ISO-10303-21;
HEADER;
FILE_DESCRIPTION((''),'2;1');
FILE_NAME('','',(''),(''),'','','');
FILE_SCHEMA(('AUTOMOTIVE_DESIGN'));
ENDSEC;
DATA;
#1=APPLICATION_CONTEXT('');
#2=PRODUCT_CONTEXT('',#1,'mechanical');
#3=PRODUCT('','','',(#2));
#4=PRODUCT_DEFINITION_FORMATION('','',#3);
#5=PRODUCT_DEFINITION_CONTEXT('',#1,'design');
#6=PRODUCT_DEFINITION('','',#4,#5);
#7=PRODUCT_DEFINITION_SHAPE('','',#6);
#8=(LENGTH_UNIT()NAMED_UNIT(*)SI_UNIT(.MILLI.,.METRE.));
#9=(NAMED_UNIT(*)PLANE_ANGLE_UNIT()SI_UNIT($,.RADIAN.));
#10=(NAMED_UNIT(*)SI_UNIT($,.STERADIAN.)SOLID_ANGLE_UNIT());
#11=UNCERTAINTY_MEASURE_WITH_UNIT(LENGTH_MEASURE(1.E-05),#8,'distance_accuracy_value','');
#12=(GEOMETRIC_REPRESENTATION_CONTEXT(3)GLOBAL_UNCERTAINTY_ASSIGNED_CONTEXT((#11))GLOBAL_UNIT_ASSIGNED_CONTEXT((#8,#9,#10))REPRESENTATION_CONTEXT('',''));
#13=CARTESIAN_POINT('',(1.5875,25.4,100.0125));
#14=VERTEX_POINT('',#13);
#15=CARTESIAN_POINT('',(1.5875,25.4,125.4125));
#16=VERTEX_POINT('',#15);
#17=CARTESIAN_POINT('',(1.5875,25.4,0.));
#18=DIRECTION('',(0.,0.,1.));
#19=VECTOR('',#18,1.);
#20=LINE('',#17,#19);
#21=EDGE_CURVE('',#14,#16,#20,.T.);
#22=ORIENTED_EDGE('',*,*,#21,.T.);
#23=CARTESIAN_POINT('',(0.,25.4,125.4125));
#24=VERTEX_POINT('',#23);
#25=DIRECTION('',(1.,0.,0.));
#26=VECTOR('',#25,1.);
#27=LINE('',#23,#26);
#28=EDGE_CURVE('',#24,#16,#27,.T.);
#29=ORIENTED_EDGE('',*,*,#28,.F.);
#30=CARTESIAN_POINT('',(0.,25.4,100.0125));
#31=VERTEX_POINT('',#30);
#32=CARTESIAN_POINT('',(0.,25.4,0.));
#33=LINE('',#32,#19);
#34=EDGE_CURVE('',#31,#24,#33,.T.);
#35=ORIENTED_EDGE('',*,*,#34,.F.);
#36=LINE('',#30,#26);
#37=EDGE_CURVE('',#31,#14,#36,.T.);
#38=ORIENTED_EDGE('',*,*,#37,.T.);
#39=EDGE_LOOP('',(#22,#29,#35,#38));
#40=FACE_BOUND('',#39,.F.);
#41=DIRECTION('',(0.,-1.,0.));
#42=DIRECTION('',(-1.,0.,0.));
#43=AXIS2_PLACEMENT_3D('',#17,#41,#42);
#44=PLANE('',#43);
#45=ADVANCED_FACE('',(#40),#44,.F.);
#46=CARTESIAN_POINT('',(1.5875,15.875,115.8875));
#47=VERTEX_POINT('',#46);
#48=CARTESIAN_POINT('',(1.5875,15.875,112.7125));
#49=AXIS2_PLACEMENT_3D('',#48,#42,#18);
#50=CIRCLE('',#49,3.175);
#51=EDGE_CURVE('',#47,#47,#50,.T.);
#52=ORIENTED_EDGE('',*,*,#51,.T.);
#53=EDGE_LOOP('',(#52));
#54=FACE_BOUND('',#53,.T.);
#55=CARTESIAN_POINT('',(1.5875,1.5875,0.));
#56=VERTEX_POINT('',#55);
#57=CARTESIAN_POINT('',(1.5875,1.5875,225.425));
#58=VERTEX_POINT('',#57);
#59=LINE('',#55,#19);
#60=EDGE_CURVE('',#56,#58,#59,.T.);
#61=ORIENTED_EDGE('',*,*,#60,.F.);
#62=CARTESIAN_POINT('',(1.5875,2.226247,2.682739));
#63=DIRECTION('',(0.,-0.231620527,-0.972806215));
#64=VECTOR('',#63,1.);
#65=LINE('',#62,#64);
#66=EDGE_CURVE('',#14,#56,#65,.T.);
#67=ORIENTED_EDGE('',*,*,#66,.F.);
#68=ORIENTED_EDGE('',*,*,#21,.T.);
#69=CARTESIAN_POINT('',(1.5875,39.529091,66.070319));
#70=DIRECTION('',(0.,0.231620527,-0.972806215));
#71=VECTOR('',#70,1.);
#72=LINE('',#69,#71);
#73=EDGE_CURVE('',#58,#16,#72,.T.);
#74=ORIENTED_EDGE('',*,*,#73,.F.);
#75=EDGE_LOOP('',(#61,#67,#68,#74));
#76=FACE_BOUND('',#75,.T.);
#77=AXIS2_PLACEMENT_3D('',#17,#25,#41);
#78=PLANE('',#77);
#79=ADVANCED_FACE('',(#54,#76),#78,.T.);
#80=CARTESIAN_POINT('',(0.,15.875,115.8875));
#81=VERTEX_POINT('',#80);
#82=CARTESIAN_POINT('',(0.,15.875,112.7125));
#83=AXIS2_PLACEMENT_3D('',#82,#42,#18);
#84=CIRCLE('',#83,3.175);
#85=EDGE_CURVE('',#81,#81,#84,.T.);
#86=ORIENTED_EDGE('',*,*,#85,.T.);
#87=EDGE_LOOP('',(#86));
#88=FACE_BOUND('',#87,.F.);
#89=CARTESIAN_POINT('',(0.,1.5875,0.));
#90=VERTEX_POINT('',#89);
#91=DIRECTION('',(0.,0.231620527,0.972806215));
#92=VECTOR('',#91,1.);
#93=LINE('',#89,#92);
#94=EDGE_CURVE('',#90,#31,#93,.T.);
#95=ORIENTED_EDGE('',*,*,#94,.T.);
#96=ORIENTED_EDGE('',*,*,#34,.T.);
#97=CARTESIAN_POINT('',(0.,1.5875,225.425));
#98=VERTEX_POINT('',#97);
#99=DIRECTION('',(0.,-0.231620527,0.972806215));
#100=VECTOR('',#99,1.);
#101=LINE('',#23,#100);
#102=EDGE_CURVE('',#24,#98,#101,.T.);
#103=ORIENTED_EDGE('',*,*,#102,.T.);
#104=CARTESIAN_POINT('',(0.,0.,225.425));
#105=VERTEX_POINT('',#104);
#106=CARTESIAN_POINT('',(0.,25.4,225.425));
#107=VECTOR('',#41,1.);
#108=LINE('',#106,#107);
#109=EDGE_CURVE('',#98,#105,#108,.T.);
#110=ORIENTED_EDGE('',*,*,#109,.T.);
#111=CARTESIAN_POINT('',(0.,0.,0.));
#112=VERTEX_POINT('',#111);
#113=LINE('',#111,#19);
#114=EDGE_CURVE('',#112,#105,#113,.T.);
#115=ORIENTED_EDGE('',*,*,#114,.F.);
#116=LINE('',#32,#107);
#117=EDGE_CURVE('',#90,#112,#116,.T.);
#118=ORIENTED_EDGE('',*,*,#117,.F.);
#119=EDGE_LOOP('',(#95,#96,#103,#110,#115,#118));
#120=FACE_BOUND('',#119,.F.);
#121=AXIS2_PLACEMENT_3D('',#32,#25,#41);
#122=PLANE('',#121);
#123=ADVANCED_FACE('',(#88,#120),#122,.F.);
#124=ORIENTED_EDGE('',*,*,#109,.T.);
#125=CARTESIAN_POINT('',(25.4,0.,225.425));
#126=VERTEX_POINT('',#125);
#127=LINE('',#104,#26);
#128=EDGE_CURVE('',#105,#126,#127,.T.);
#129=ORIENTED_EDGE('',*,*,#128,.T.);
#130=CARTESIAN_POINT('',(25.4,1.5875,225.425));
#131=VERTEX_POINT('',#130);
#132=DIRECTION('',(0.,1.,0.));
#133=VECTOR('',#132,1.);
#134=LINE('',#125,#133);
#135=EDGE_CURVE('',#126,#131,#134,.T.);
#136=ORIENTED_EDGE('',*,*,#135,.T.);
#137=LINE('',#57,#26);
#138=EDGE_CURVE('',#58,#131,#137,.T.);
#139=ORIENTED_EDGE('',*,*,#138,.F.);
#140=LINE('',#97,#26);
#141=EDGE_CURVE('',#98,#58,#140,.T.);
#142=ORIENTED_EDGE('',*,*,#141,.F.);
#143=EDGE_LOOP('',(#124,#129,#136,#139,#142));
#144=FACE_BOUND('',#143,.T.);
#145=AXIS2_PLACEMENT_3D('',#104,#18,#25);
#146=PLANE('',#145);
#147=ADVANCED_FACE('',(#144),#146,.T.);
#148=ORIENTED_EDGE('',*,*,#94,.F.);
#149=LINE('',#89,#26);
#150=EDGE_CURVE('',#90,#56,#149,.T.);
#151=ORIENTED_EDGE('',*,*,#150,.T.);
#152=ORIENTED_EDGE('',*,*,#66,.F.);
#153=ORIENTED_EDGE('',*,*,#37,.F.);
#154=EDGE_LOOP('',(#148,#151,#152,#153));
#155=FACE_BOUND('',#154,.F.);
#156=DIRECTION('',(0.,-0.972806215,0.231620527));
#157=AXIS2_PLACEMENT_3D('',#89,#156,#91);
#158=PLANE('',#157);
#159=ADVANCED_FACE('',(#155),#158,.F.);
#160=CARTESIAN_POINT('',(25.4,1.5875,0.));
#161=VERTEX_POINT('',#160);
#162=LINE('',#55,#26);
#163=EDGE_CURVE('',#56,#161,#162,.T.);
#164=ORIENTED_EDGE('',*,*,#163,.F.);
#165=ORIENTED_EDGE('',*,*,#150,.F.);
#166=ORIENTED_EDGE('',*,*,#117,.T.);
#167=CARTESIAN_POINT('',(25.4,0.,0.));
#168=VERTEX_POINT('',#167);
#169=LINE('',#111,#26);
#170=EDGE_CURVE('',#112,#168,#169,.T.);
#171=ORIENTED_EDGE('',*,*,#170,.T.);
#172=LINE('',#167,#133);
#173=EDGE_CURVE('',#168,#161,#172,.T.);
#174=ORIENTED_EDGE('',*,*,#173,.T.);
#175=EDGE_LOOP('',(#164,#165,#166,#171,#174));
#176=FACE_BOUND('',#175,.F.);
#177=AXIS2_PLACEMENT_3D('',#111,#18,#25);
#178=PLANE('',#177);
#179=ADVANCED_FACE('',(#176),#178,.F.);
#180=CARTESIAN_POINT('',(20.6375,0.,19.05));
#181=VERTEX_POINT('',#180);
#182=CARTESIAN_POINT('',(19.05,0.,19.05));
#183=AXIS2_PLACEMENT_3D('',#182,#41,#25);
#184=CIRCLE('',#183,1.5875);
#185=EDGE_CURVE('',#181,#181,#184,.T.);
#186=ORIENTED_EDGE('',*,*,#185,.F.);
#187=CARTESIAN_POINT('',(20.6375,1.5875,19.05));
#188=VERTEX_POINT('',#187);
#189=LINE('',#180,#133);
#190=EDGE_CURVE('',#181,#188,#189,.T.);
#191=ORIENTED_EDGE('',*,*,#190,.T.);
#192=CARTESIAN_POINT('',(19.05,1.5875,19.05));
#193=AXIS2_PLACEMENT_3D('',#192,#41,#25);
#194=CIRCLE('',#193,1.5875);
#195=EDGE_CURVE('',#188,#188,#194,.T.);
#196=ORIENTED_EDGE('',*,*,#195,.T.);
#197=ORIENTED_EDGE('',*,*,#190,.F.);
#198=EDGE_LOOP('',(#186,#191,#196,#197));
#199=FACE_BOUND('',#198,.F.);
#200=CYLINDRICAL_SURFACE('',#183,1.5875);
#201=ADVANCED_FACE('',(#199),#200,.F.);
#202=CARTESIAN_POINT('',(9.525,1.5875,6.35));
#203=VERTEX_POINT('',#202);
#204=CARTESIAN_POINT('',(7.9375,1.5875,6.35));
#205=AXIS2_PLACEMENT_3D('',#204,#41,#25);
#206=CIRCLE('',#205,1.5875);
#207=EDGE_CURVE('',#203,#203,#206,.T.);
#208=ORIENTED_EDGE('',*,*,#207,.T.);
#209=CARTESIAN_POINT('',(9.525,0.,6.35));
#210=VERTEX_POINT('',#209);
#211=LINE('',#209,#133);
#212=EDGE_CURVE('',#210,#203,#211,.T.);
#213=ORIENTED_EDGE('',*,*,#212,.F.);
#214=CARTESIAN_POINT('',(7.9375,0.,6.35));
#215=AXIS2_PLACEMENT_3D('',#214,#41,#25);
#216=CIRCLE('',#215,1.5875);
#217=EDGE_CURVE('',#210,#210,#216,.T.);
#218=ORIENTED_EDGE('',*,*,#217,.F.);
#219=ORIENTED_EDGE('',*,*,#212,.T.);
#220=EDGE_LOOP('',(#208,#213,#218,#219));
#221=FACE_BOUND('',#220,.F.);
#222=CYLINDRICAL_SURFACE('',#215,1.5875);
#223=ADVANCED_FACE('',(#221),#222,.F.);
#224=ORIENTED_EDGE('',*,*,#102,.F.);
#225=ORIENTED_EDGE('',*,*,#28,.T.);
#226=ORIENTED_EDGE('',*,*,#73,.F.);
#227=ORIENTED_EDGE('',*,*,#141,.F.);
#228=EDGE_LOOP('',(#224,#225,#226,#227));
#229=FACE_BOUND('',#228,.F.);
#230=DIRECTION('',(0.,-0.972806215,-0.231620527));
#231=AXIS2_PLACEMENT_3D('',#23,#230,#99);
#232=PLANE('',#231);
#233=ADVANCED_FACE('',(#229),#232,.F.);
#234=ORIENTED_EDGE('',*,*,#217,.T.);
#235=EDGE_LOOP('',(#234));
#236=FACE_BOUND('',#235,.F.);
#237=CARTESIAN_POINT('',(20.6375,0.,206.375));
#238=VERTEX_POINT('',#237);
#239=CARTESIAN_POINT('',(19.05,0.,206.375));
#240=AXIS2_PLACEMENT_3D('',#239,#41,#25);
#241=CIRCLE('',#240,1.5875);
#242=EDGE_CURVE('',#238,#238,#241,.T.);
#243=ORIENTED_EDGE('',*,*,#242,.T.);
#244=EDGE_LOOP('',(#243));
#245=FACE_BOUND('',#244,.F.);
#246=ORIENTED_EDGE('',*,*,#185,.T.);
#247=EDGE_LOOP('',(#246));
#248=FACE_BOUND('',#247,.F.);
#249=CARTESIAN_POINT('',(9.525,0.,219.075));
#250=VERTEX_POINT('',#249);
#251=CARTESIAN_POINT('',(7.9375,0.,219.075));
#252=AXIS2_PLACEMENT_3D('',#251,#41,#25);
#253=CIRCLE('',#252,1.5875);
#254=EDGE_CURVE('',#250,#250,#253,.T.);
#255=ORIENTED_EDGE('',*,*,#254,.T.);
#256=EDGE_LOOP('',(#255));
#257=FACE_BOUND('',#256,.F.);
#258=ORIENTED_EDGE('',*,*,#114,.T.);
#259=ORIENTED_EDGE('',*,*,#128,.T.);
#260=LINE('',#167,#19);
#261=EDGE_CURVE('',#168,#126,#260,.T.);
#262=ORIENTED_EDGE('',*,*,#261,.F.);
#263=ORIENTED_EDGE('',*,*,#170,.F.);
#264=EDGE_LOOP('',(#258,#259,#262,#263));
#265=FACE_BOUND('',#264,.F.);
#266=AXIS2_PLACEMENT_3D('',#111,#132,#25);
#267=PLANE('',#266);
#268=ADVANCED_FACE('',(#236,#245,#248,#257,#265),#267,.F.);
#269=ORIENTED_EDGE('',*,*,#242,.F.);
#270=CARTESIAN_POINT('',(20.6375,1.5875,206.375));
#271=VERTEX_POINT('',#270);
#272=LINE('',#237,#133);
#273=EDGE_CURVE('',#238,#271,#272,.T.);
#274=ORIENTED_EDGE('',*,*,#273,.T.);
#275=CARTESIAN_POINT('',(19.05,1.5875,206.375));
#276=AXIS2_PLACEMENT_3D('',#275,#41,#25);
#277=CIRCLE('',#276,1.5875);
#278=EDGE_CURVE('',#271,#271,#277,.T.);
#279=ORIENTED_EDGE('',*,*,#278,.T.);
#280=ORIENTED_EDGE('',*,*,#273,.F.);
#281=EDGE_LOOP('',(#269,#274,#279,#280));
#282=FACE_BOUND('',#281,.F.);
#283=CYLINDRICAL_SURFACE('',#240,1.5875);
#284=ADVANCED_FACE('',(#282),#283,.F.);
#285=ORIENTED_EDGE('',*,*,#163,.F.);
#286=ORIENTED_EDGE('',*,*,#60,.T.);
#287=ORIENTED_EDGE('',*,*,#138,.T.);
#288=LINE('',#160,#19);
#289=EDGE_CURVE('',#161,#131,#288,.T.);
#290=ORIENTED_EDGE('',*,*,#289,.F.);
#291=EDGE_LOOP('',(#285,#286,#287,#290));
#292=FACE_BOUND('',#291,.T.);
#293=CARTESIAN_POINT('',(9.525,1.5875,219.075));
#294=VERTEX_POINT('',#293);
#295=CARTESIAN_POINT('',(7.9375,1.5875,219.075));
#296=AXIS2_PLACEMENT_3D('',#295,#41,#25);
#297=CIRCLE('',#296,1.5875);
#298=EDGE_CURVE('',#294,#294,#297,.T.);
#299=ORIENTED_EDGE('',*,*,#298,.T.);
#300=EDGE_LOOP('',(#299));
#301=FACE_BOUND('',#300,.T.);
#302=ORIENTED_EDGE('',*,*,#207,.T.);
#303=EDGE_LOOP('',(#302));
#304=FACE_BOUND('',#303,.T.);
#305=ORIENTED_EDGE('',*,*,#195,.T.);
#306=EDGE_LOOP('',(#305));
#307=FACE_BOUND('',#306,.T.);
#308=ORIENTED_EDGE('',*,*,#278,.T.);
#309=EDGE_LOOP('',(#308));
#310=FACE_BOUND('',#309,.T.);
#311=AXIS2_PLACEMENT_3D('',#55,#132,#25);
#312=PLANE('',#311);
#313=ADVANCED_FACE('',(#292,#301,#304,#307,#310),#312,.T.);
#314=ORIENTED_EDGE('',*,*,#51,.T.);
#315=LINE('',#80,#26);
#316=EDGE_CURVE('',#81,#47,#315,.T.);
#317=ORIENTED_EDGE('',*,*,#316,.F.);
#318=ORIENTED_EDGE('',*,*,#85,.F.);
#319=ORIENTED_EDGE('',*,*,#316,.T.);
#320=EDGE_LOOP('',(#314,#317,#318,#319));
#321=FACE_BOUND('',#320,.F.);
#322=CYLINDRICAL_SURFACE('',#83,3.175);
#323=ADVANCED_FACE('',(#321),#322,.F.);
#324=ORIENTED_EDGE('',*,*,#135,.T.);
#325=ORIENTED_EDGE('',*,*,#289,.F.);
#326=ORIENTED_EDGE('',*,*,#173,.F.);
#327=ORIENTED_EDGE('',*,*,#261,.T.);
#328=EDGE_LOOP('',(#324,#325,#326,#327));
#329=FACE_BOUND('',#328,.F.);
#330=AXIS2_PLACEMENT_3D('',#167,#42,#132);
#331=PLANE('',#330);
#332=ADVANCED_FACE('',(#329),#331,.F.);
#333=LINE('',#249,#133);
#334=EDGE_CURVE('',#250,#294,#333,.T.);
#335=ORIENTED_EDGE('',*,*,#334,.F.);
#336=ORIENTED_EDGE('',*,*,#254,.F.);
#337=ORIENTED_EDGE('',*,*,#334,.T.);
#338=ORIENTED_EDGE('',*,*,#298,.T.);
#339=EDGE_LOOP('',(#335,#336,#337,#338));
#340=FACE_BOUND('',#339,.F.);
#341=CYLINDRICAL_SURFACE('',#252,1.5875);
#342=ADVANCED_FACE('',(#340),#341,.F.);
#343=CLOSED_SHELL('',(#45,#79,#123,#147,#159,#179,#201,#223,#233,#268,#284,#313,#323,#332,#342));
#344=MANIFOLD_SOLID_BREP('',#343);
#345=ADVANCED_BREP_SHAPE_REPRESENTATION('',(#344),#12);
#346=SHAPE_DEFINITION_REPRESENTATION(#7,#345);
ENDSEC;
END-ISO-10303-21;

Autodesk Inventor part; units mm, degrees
ref_plane "YZ Plane" through (0, 0, 0) normal (1, 0, 0) x (0, 1, 0)
ref_plane "XZ Plane" through (0, 0, 0) normal (0, 1, 0) x (-1, 0, 0)
ref_plane "XY Plane" through (0, 0, 0) normal (0, 0, 1) x (1, 0, 0)
sketch "Sketch1" plane through (0, 0, 0) normal (0, 0, 1) x (1, 0, 0)
  line L0 (0, 0) -> (25.4, 0)
  line L1 (25.4, 0) -> (25.4, 25.4)
  line L2 (25.4, 25.4) -> (0, 25.4)
  line L3 (0, 25.4) -> (0, 0)
  line L4 (25.4, 25.4) -> (1.5875, 25.4)
  line L5 (1.5875, 25.4) -> (1.5875, 1.5875)
  line L6 (1.5875, 1.5875) -> (25.4, 1.5875)
  line L7 (25.4, 1.5875) -> (25.4, 25.4)
  dimension "d0" = 1.5875
  dimension "d1" = 1.5875
  dimension "d2" = 25.4
  dimension "d3" = 25.4
extrude "Extrusion1" add sketch "Sketch1" along normal blind 225.425 contours L3 L2 L5 L6 L1 L0
sketch "Sketch2" plane through (0, 0, 0) normal (0, -1, 0) x (1, 0, 0)
  line L0 (25.4, 225.425) -> (0, 225.425) projected
  line L1 (0, 0) -> (0, 225.425) projected
  line L2 (25.4, 0) -> (25.4, 225.425) projected
  circle A0 centre (7.9375, 219.075) radius 1.5875
  circle A1 centre (19.05, 206.375) radius 1.5875
  line L3 (0, 112.7125) -> (25.4, 112.7125)
  circle A2 centre (7.9375, 6.35) radius 1.5875
  circle A3 centre (19.05, 19.05) radius 1.5875
  dimension "d6" = 3.175
  dimension "d7" = 6.35
  dimension "d8" = 7.9375
  dimension "d9" = 19.05
  dimension "d10" = 6.35
extrude "Extrusion2" cut sketch "Sketch2" against normal blind 225.425 contours A0 | A1 | A2 | A3
sketch "Sketch3" plane through (0, 0, 0) normal (-1, 0, 0) x (0, 0, 1)
  line L0 (225.425, 0) -> (225.425, 25.4) projected
  line L1 (0, 25.4) -> (225.425, 25.4) projected
  line L2 (0, 25.4) -> (0, 0) projected
  line L3 (0, 0) -> (225.425, 0) projected
  circle A0 centre (112.7125, 15.875) radius 3.175
  line L4 (0, 1.5875) -> (100.0125, 25.4)
  line L5 (125.4125, 25.4) -> (225.425, 1.5875)
  dimension "d13" = 6.35
  dimension "d14" = 15.875
  dimension "d15" = 112.7125
  dimension "d16" = 1.5875
  dimension "d17" = 1.5875
  dimension "d18" = 12.7
  dimension "d19" = 25.4
extrude "Extrusion3" cut sketch "Sketch3" against normal blind 225.425 contours L5 L1 L0 | L2 L1 L4 | A0
equation "\"d0\" = d1"
equation "\"d3\" = d2"
equation "\"d18\" = 0.5 * d19"
properties part number "8 ball top lift point"
